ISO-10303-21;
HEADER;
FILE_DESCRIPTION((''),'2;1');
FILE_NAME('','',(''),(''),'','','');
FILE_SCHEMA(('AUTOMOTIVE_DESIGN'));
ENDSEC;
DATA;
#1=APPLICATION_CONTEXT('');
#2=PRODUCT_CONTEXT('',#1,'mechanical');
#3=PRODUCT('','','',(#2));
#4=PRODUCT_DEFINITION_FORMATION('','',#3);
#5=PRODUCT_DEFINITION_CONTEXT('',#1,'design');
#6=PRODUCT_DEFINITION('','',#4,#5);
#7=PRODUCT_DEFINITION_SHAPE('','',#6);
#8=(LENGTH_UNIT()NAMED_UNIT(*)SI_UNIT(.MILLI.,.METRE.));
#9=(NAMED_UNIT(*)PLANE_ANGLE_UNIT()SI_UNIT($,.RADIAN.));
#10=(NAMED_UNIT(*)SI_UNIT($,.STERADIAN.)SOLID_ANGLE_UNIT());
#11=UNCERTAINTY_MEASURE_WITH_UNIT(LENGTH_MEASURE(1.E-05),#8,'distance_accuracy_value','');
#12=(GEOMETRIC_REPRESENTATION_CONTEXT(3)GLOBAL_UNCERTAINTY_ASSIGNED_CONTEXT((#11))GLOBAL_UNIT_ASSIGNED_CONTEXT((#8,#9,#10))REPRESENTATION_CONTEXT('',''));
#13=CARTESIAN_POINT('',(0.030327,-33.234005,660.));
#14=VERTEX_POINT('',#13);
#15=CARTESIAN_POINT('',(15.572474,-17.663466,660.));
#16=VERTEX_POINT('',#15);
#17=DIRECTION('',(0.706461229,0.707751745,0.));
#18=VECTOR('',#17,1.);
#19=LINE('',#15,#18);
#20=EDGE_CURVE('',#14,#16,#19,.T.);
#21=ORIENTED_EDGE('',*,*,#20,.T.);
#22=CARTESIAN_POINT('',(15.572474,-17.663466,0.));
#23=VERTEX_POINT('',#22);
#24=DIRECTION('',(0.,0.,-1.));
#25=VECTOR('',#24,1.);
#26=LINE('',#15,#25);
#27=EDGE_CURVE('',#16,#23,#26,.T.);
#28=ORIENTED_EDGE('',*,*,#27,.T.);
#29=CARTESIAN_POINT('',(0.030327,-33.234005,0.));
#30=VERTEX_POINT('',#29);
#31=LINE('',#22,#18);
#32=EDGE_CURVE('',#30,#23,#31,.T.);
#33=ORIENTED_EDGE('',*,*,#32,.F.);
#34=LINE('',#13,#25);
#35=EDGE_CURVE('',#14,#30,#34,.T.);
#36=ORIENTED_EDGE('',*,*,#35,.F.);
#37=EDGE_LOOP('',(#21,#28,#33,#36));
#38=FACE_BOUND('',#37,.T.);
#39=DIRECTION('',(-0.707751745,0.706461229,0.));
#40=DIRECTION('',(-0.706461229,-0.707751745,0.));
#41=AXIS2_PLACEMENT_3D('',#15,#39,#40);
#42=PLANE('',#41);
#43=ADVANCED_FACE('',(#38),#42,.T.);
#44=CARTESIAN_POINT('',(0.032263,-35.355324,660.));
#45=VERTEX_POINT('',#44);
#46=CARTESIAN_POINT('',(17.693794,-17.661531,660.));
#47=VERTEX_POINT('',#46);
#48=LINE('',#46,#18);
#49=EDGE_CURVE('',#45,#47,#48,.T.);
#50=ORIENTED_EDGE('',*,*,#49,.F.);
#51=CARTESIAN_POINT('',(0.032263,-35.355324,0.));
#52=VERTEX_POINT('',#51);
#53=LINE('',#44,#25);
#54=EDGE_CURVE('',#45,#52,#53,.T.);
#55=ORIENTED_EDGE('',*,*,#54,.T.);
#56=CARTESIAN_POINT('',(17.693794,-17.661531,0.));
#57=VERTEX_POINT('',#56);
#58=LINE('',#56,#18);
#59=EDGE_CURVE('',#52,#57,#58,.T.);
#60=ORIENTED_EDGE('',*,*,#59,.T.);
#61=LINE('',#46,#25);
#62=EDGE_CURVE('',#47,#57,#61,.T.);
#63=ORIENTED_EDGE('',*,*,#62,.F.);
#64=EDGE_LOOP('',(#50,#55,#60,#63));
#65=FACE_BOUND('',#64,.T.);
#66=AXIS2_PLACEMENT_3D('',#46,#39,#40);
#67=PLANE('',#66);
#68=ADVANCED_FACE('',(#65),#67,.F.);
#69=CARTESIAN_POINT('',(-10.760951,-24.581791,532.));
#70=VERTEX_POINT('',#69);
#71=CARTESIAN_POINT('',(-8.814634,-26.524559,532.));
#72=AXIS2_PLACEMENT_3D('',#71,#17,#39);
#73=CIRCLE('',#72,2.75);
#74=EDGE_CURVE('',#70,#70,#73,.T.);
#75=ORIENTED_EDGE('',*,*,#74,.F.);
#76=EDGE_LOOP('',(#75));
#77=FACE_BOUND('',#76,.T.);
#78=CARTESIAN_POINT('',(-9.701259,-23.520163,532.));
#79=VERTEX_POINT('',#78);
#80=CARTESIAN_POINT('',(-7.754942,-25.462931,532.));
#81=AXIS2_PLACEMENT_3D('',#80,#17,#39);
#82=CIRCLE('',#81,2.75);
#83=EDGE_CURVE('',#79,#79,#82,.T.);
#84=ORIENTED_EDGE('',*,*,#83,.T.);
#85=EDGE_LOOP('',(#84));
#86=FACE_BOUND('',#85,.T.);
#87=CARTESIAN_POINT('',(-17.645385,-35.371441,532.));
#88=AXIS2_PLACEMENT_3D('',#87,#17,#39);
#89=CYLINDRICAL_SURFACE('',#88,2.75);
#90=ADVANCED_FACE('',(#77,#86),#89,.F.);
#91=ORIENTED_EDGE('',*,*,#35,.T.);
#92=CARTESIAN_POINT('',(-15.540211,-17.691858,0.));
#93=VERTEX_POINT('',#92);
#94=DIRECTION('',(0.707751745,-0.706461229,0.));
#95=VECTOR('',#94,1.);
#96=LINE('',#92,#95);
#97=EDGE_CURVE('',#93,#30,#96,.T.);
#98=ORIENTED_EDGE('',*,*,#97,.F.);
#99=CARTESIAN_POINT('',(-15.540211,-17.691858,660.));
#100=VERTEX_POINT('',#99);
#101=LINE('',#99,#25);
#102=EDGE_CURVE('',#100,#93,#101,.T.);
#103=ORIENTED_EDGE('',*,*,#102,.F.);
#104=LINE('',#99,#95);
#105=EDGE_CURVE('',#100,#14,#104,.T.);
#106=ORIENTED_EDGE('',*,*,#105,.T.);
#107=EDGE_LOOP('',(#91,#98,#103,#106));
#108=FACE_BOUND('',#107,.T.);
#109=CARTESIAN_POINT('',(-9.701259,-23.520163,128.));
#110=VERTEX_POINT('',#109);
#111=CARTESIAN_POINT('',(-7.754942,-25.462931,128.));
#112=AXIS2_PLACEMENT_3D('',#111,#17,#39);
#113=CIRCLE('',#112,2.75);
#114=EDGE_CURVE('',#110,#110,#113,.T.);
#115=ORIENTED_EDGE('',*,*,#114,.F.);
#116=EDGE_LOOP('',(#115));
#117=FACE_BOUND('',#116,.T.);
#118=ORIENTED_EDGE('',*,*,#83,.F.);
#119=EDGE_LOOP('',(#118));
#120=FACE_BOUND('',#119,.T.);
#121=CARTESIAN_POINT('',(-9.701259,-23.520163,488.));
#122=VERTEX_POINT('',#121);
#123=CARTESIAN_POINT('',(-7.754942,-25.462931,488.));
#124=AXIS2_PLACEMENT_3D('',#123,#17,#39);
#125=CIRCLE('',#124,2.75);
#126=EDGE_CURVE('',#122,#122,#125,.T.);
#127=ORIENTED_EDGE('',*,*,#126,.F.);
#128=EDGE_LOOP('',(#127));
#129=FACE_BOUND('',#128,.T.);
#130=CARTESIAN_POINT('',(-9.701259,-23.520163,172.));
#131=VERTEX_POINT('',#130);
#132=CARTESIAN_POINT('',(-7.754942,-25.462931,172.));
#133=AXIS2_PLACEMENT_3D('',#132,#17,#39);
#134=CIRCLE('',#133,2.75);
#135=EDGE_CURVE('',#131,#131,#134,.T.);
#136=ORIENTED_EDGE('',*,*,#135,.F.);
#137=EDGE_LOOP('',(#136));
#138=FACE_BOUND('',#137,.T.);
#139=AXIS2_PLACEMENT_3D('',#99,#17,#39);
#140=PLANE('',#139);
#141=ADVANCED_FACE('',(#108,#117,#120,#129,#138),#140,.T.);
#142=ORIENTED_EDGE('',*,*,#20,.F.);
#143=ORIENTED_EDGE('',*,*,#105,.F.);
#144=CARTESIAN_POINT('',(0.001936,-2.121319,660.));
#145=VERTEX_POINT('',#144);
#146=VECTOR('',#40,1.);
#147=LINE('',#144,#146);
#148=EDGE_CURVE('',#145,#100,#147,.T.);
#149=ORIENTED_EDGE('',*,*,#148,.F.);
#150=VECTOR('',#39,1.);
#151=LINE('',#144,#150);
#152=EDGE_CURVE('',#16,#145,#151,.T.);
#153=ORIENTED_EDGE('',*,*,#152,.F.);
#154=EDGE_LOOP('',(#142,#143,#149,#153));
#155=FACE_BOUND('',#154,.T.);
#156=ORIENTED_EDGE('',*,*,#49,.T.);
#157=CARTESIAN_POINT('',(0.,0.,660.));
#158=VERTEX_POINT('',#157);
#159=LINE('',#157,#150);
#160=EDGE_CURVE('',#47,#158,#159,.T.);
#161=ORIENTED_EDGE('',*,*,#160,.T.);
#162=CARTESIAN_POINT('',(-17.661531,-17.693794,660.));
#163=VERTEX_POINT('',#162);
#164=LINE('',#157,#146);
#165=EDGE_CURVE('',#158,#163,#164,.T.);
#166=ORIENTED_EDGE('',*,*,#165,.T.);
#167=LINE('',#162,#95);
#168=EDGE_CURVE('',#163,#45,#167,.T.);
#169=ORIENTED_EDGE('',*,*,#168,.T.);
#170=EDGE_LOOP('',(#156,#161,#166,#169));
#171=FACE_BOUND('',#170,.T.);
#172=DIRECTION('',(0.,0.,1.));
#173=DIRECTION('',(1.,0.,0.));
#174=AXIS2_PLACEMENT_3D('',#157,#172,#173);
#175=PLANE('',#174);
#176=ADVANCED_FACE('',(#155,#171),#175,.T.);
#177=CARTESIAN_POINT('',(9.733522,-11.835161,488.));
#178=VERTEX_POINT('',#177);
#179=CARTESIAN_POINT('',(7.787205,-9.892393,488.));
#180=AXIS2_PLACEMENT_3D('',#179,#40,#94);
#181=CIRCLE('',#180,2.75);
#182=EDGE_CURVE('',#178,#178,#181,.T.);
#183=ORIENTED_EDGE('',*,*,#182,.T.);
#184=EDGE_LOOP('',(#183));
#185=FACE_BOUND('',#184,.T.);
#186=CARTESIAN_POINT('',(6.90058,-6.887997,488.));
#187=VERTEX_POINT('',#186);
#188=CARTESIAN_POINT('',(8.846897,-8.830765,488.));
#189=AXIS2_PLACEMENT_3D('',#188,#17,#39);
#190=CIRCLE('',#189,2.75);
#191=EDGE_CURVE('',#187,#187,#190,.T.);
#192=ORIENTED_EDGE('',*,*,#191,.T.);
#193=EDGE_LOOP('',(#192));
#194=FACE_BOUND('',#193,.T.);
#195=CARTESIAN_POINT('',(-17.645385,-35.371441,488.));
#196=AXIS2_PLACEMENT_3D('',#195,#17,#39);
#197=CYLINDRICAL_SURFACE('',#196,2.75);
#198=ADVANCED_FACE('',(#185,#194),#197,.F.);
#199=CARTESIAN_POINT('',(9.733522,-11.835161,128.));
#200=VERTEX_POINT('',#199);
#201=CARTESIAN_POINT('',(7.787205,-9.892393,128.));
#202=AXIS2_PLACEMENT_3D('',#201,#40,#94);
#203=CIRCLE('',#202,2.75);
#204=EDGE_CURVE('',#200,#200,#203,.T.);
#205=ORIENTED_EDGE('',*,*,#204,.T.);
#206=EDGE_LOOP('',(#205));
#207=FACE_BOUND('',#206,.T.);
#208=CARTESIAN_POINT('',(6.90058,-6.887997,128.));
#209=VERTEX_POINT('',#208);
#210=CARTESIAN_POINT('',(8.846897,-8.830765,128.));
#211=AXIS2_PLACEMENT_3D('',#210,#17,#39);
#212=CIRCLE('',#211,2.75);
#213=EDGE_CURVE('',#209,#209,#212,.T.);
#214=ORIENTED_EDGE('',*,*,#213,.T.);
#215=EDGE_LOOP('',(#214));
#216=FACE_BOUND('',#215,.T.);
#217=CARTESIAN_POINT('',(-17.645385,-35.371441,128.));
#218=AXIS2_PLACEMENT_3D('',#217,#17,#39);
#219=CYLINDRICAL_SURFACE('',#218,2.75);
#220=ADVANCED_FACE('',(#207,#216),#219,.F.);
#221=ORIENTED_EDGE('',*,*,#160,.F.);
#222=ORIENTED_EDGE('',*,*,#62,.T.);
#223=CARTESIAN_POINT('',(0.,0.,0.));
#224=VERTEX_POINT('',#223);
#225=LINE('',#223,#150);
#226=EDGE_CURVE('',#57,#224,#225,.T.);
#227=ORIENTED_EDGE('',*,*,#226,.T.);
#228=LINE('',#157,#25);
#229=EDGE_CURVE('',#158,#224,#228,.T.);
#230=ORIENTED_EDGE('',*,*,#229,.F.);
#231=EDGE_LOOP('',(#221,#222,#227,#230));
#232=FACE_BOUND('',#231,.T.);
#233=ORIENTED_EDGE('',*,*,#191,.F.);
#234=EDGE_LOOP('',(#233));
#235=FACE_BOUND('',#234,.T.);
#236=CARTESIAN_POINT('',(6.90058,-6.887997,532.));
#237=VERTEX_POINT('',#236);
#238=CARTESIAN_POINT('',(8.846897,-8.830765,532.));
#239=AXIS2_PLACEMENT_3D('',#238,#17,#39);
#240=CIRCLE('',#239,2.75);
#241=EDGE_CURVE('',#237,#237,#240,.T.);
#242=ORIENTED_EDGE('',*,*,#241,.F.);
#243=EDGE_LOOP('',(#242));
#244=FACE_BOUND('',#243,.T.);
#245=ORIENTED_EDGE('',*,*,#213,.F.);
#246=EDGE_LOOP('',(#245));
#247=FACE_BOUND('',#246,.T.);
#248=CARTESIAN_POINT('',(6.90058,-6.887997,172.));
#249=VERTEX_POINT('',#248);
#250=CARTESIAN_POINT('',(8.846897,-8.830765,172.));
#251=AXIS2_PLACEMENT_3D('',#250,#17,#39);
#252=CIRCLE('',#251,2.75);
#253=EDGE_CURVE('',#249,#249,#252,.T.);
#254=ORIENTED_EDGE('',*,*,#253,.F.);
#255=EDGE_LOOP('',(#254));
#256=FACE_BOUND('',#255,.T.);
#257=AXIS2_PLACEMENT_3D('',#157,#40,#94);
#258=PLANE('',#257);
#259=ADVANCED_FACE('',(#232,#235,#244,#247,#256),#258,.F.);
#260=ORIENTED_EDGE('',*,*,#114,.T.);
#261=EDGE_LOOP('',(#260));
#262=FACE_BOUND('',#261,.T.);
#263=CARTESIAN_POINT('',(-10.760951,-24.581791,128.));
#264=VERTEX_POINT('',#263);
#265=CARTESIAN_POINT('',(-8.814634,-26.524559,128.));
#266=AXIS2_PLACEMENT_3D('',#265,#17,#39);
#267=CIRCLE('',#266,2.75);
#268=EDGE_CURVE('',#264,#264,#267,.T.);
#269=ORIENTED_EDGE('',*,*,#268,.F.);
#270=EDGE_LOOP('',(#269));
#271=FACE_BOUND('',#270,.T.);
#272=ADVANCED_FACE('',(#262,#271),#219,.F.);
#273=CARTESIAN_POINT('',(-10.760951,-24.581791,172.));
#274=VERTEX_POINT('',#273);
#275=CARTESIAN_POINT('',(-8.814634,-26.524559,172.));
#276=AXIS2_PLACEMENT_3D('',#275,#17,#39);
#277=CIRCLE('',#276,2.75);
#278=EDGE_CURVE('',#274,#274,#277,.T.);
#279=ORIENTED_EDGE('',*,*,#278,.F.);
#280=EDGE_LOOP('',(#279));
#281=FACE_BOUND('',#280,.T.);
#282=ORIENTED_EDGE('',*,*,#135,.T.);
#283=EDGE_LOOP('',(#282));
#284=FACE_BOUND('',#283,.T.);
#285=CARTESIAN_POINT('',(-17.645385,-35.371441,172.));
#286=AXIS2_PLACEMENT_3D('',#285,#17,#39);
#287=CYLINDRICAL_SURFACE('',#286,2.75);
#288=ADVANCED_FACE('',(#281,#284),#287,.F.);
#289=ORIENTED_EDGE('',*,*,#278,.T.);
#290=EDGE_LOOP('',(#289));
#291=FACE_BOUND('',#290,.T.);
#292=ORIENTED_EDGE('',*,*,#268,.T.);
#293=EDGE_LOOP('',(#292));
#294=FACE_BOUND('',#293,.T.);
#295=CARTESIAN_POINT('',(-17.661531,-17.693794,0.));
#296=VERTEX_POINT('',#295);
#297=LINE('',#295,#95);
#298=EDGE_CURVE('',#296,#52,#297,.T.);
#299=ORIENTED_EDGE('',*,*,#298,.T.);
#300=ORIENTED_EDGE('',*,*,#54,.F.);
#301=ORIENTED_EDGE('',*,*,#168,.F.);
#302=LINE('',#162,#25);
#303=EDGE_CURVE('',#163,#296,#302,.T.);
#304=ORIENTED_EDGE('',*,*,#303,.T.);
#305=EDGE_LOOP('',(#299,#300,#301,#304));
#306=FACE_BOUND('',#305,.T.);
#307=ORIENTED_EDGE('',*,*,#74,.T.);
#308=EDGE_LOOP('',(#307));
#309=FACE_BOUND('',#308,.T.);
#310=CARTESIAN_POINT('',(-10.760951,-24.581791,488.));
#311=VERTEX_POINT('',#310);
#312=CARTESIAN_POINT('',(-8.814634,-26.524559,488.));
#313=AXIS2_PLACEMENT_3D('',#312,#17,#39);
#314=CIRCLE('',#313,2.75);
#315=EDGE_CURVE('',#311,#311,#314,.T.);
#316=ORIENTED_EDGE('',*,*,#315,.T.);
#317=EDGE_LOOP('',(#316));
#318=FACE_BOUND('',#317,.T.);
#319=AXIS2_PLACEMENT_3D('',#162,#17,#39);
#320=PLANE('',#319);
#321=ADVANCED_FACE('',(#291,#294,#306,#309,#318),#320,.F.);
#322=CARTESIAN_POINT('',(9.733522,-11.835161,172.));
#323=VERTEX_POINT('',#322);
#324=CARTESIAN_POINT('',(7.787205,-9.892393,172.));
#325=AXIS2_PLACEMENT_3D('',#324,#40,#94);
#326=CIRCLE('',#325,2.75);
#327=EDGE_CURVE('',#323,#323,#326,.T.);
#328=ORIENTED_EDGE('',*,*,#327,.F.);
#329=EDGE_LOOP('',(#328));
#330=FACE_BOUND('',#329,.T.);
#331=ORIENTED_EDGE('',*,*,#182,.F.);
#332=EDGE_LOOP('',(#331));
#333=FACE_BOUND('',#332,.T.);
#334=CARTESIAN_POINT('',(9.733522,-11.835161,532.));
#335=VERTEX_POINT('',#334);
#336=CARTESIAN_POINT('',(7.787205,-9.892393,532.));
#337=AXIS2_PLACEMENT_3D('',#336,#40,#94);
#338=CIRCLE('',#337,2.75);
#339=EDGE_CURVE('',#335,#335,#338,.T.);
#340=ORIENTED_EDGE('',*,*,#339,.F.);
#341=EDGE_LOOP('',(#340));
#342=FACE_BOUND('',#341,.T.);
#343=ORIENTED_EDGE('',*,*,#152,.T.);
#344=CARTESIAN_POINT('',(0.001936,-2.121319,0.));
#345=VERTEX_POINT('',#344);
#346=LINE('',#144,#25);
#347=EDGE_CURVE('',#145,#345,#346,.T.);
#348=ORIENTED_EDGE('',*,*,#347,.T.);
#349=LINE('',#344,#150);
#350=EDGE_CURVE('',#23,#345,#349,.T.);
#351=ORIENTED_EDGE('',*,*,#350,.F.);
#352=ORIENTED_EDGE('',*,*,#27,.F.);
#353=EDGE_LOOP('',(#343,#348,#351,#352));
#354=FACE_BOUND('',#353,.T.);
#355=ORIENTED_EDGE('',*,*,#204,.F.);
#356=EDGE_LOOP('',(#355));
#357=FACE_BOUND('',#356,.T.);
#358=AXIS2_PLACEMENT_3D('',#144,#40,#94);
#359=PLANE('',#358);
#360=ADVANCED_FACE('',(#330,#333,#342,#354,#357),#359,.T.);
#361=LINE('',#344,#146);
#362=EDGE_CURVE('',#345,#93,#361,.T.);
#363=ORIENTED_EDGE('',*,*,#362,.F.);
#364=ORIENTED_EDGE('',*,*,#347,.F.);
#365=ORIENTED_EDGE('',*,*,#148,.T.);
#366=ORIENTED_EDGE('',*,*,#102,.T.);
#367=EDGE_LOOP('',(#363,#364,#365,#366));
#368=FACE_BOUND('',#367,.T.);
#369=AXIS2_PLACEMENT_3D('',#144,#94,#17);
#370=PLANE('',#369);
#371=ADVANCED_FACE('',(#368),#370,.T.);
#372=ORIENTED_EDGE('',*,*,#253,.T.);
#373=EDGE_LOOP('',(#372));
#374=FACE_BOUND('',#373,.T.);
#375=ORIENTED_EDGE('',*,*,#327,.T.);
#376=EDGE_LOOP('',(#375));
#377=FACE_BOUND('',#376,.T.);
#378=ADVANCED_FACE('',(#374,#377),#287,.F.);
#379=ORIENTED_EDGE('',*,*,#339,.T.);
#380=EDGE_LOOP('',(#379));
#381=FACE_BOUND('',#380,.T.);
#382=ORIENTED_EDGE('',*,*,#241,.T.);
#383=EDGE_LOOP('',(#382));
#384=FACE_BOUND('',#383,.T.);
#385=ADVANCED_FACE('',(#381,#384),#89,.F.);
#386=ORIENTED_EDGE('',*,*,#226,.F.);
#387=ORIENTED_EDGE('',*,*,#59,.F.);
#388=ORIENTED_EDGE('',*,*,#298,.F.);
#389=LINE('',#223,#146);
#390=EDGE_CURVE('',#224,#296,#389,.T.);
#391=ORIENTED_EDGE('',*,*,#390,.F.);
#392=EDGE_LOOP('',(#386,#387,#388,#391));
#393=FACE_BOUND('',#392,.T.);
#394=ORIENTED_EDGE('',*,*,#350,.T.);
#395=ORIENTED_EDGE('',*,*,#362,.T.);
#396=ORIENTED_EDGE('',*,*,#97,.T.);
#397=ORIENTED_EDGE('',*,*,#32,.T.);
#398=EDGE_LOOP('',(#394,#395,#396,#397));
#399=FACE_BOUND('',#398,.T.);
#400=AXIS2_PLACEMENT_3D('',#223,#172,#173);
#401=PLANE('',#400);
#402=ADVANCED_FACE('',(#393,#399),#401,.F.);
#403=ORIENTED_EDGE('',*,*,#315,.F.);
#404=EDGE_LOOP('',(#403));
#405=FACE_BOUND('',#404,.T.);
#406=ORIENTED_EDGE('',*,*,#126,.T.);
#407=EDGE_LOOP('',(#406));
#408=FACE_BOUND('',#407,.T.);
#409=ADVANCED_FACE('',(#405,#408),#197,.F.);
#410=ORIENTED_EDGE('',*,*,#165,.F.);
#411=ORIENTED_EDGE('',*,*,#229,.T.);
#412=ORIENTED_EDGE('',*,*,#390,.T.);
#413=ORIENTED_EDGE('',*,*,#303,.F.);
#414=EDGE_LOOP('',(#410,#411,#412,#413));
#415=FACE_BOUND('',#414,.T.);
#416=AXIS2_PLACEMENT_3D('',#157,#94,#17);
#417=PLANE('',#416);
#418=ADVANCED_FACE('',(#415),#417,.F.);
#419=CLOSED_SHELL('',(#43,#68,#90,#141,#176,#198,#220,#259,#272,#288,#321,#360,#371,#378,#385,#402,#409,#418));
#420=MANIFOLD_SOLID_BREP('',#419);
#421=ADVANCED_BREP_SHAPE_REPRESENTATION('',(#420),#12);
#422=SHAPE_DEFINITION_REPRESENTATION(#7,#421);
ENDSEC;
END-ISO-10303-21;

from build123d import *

# Parameters (mm, degrees)
EXTRUDE_1_DEPTH     = 660
SKETCH_2_R          = 2.75
CUT_EXTRUDE_1_DEPTH = 38.499979182


with BuildPart() as part:
    # 草圖1 → 填料-伸長1 (new body)
    with BuildSketch(Plane.XY):
        Polygon((0, 0), (17.69379362, -17.661530719), (0.032262901, -35.355324339), (-17.661530719, -17.69379362), align=None)
        Polygon((0.001935774, -2.12131946), (-15.540211259, -17.691857846), (0.030327127, -33.234004879), (15.57247416, -17.663466493), align=None, mode=Mode.SUBTRACT)
    extrude(amount=EXTRUDE_1_DEPTH)

    # 草圖2 → 除料-伸長1 (cut, through all)
    with BuildSketch(Plane(origin=(0, 0, 0), x_dir=(0.707751745, -0.706461229, 0), z_dir=(0.706461229, 0.707751745, 0))):
        with Locations((12.5, -488)):
            Circle(SKETCH_2_R)
        with Locations((12.5, -532)):
            Circle(SKETCH_2_R)
        with Locations((12.5, -128)):
            Circle(SKETCH_2_R)
        with Locations((12.5, -172)):
            Circle(SKETCH_2_R)
    extrude(amount=-CUT_EXTRUDE_1_DEPTH, mode=Mode.SUBTRACT)


solid = part.part
